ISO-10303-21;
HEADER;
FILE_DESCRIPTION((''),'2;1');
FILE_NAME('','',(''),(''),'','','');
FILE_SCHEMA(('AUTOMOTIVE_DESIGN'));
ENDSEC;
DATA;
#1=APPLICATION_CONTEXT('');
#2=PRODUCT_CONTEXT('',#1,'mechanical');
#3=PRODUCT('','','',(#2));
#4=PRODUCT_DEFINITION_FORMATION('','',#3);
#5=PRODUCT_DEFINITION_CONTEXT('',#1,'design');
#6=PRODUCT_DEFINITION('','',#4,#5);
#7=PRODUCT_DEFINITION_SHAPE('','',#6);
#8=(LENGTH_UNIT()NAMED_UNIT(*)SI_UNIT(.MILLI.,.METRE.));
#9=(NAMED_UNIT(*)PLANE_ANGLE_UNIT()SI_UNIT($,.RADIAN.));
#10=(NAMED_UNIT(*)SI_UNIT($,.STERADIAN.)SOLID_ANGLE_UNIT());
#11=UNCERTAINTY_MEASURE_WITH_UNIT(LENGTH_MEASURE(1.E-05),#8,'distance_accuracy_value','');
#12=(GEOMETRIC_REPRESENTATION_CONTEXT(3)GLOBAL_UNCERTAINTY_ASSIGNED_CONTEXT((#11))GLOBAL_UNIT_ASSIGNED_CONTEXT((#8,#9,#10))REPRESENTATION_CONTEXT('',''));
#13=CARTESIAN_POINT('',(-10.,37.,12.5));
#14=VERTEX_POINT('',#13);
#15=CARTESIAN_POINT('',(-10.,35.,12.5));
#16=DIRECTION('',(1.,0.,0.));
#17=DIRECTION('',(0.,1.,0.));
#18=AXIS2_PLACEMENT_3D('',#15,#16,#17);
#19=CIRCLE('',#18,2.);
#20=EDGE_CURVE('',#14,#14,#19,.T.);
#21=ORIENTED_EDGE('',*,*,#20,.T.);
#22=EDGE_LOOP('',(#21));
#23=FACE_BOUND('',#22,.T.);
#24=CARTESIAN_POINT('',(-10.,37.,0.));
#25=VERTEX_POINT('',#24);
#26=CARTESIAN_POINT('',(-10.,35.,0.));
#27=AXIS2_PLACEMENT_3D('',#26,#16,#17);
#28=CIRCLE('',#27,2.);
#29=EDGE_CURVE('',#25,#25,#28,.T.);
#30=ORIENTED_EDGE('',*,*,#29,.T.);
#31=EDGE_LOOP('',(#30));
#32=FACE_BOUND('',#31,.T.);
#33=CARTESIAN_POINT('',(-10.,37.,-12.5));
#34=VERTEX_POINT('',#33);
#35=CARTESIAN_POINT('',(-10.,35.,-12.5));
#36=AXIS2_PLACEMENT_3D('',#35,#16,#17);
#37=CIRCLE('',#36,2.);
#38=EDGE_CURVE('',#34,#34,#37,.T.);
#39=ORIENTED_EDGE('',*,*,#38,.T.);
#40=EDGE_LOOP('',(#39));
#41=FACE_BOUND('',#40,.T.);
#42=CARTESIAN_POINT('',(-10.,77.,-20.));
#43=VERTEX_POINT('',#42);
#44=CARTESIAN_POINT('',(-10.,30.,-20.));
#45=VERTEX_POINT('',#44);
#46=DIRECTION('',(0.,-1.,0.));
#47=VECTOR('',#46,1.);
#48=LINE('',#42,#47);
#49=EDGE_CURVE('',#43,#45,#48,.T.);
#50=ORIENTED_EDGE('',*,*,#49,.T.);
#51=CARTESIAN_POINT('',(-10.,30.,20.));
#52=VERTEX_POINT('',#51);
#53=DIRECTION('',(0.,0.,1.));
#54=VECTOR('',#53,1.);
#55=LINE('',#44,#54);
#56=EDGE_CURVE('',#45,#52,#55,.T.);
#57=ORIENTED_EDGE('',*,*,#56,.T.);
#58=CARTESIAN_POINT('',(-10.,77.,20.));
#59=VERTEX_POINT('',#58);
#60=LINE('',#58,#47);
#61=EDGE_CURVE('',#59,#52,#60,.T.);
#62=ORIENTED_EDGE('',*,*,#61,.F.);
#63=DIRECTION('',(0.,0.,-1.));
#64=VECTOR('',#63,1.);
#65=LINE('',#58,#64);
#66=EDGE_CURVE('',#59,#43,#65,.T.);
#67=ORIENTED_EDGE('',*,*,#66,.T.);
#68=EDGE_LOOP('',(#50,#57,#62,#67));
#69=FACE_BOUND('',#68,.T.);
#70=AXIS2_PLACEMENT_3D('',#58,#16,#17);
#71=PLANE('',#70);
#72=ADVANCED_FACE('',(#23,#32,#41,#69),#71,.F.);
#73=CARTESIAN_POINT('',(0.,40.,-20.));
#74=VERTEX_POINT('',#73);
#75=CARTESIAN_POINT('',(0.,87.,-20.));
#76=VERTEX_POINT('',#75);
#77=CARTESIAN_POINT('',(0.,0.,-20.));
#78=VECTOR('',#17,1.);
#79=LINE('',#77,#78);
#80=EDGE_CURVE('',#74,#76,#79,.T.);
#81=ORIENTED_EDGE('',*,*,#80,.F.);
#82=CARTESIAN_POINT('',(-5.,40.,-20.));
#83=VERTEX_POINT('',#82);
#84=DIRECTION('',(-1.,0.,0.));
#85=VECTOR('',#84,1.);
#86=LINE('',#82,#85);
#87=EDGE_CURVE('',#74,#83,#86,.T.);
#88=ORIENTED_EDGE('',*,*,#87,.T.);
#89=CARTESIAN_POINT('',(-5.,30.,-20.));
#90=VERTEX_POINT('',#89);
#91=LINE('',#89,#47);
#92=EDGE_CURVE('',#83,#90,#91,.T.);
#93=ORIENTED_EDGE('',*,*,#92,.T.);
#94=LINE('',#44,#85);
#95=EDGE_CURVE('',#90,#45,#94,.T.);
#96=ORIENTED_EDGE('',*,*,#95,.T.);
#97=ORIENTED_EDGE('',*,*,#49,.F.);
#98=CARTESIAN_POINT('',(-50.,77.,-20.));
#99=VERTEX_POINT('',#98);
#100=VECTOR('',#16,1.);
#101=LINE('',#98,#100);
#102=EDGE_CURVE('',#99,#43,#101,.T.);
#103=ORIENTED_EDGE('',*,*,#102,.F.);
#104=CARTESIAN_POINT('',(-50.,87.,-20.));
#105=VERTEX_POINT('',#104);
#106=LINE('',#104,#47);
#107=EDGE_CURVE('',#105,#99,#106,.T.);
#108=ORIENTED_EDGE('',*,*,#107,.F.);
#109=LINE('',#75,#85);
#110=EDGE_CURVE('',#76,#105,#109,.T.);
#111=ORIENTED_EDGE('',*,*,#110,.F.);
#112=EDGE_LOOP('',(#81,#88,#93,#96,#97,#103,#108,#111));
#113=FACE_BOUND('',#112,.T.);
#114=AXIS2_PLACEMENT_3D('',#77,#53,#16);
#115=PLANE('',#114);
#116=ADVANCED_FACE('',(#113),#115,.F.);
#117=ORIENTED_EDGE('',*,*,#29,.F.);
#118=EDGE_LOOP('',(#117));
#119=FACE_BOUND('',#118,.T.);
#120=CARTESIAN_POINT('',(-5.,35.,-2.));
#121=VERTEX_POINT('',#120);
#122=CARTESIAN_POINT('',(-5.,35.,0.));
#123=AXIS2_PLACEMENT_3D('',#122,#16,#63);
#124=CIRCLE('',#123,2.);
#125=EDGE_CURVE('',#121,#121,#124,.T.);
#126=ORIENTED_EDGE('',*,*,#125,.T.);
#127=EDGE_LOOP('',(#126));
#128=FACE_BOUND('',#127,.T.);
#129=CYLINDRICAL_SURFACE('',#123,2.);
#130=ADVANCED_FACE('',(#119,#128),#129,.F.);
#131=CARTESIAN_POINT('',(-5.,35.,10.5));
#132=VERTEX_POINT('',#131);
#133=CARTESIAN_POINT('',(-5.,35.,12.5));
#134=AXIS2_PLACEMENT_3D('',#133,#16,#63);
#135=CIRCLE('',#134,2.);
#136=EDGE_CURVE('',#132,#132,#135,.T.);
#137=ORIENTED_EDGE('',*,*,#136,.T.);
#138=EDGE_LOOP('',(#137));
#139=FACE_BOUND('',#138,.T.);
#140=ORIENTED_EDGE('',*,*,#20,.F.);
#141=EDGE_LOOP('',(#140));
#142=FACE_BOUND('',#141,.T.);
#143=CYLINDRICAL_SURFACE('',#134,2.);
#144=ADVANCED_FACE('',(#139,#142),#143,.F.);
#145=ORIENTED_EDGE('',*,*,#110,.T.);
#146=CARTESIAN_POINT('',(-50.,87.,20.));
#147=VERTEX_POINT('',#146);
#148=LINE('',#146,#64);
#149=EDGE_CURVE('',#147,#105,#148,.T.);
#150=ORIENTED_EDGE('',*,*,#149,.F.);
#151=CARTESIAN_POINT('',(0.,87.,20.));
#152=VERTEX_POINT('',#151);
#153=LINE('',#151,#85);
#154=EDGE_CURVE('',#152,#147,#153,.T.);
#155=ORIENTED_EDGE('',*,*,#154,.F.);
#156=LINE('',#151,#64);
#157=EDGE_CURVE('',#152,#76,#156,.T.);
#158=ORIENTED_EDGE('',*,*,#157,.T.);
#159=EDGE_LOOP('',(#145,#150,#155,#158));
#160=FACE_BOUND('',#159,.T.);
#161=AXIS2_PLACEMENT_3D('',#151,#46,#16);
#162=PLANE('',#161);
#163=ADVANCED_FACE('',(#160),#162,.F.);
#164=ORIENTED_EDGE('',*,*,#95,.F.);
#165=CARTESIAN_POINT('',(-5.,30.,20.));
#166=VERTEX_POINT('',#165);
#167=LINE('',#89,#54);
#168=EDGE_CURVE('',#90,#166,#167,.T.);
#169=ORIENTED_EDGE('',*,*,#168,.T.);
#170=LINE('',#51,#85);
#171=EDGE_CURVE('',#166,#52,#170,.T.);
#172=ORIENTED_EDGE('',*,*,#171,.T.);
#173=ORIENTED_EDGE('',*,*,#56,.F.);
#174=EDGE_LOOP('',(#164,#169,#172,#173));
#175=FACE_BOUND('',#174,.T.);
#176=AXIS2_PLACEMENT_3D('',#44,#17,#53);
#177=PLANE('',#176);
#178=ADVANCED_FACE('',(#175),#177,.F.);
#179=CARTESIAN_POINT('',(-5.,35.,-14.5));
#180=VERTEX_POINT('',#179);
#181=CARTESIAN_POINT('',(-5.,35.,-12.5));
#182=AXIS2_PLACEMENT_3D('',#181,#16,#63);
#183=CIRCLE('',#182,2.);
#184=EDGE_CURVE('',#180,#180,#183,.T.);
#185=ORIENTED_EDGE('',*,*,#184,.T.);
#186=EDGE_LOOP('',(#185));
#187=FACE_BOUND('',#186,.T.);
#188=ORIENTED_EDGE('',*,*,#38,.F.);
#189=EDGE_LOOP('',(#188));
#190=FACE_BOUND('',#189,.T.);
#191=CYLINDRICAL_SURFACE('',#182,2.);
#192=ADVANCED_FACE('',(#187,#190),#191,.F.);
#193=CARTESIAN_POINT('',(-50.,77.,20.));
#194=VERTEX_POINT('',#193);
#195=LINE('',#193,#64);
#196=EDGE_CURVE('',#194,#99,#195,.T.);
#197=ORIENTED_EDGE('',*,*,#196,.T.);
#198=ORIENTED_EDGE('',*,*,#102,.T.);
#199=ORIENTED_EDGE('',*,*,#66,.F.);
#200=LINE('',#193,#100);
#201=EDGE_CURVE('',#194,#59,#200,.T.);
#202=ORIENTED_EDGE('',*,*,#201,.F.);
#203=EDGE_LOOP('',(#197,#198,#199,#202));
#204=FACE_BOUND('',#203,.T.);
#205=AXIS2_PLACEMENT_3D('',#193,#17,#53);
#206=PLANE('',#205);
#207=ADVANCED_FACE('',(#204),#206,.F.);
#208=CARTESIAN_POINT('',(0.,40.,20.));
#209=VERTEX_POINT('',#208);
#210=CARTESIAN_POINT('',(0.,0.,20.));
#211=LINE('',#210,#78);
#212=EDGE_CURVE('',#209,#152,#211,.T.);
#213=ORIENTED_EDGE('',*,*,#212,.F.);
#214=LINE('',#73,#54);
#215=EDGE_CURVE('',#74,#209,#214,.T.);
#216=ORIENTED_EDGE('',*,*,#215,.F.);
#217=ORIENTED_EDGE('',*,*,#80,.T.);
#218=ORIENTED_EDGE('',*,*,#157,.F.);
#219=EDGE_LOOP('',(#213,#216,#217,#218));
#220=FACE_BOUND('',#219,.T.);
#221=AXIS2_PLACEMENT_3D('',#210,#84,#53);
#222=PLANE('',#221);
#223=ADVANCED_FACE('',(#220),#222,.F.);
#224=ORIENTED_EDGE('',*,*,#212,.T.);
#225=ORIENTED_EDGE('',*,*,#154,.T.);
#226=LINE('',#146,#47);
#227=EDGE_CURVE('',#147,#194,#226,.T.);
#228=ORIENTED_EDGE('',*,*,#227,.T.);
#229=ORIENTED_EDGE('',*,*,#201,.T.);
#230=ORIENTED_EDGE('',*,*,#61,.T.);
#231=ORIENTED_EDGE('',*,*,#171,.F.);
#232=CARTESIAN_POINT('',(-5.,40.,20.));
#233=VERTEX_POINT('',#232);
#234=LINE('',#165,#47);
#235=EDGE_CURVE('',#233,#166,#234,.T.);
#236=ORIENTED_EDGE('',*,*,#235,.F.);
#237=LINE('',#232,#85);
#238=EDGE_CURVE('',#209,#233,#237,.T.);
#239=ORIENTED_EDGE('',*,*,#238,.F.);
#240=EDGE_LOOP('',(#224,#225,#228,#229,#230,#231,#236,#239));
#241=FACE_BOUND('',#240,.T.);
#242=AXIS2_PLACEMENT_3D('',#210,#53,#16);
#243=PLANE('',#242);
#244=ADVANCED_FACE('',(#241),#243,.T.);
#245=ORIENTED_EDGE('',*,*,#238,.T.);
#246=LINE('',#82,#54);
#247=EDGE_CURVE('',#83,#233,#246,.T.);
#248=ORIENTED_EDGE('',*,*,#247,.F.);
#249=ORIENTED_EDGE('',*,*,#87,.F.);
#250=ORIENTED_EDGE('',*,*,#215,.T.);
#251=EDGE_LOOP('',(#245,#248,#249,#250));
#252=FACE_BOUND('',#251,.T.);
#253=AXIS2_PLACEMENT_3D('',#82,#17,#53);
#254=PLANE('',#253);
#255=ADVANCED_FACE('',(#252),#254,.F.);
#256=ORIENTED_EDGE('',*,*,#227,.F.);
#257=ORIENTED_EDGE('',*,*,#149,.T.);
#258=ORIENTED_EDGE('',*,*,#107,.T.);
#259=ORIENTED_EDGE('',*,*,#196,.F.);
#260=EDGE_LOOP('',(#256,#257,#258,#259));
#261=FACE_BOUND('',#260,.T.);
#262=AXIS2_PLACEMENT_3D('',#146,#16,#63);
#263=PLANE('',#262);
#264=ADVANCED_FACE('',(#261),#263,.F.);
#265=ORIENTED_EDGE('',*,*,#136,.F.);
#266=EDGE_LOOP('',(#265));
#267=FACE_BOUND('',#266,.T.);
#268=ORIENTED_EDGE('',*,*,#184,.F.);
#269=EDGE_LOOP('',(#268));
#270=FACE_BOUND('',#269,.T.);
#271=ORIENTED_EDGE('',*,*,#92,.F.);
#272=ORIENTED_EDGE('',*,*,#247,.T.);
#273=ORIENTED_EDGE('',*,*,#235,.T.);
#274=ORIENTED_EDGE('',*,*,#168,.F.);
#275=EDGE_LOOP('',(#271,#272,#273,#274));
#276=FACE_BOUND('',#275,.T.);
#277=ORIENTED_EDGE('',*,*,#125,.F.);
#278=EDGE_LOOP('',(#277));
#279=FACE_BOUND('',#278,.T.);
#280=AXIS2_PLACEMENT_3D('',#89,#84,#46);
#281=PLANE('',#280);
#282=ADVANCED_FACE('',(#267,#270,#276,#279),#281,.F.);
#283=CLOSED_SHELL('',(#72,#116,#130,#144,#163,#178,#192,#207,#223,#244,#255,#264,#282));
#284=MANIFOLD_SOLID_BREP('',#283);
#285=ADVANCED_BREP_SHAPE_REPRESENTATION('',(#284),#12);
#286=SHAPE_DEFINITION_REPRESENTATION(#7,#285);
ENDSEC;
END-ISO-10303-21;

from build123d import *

# Parameters (mm, degrees)
BOSS_EXTRUDE1_DEPTH      = 20
SKETCH2_R                = 5.1
SKETCH2_R_2              = 1.75
CUT_EXTRUDE1_DEPTH       = 98.821265582
CUT_EXTRUDE2_DEPTH       = 109.023145668
F_4_0_4_DIAMETER_HOLE1_D = 4


with BuildPart() as part:
    # Sketch1 → Boss-Extrude1 (new, symmetric)
    with BuildSketch(Plane.XY):
        Polygon((0, 0), (0, 87), (-50, 87), (-50, 77), (-10, 77), (-10, 0), align=None)
    extrude(amount=BOSS_EXTRUDE1_DEPTH, both=True)

    # Sketch2 → Cut-Extrude1 (cut, through all)
    with BuildSketch(Plane.ZY.offset(10)):
        with Locations(Location((0, 11, 0), (0, 0, 270))):
            Circle(SKETCH2_R)
        with Locations(Location((5.656854249, 16.656854249, 0), (0, 0, 270))):
            Circle(SKETCH2_R_2)
        with Locations(Location((5.656854249, 5.343145751, 0), (0, 0, 270))):
            Circle(SKETCH2_R_2)
        with Locations(Location((-5.656854249, 16.656854249, 0), (0, 0, 270))):
            Circle(SKETCH2_R_2)
        with Locations(Location((-5.656854249, 5.343145751, 0), (0, 0, 270))):
            Circle(SKETCH2_R_2)
    extrude(amount=-CUT_EXTRUDE1_DEPTH, mode=Mode.SUBTRACT)

    # Sketch3 → Cut-Extrude2 (cut, through all)
    with BuildSketch(Plane.XY.offset(20)):
        Polygon((0, 0), (-10, 0), (-10, 30), (-5, 30), (-5, 40), (0, 40), align=None)
    extrude(amount=-CUT_EXTRUDE2_DEPTH, mode=Mode.SUBTRACT)

    # Ø4.0 (4) Diameter Hole1 (through all)
    with Locations(Plane(origin=(-5, 0, 0), x_dir=(0, 0, -1), z_dir=(1, 0, 0))):
        with Locations((-12.5, 35), (0, 35), (12.5, 35)):
            Hole(F_4_0_4_DIAMETER_HOLE1_D / 2)


solid = part.part
